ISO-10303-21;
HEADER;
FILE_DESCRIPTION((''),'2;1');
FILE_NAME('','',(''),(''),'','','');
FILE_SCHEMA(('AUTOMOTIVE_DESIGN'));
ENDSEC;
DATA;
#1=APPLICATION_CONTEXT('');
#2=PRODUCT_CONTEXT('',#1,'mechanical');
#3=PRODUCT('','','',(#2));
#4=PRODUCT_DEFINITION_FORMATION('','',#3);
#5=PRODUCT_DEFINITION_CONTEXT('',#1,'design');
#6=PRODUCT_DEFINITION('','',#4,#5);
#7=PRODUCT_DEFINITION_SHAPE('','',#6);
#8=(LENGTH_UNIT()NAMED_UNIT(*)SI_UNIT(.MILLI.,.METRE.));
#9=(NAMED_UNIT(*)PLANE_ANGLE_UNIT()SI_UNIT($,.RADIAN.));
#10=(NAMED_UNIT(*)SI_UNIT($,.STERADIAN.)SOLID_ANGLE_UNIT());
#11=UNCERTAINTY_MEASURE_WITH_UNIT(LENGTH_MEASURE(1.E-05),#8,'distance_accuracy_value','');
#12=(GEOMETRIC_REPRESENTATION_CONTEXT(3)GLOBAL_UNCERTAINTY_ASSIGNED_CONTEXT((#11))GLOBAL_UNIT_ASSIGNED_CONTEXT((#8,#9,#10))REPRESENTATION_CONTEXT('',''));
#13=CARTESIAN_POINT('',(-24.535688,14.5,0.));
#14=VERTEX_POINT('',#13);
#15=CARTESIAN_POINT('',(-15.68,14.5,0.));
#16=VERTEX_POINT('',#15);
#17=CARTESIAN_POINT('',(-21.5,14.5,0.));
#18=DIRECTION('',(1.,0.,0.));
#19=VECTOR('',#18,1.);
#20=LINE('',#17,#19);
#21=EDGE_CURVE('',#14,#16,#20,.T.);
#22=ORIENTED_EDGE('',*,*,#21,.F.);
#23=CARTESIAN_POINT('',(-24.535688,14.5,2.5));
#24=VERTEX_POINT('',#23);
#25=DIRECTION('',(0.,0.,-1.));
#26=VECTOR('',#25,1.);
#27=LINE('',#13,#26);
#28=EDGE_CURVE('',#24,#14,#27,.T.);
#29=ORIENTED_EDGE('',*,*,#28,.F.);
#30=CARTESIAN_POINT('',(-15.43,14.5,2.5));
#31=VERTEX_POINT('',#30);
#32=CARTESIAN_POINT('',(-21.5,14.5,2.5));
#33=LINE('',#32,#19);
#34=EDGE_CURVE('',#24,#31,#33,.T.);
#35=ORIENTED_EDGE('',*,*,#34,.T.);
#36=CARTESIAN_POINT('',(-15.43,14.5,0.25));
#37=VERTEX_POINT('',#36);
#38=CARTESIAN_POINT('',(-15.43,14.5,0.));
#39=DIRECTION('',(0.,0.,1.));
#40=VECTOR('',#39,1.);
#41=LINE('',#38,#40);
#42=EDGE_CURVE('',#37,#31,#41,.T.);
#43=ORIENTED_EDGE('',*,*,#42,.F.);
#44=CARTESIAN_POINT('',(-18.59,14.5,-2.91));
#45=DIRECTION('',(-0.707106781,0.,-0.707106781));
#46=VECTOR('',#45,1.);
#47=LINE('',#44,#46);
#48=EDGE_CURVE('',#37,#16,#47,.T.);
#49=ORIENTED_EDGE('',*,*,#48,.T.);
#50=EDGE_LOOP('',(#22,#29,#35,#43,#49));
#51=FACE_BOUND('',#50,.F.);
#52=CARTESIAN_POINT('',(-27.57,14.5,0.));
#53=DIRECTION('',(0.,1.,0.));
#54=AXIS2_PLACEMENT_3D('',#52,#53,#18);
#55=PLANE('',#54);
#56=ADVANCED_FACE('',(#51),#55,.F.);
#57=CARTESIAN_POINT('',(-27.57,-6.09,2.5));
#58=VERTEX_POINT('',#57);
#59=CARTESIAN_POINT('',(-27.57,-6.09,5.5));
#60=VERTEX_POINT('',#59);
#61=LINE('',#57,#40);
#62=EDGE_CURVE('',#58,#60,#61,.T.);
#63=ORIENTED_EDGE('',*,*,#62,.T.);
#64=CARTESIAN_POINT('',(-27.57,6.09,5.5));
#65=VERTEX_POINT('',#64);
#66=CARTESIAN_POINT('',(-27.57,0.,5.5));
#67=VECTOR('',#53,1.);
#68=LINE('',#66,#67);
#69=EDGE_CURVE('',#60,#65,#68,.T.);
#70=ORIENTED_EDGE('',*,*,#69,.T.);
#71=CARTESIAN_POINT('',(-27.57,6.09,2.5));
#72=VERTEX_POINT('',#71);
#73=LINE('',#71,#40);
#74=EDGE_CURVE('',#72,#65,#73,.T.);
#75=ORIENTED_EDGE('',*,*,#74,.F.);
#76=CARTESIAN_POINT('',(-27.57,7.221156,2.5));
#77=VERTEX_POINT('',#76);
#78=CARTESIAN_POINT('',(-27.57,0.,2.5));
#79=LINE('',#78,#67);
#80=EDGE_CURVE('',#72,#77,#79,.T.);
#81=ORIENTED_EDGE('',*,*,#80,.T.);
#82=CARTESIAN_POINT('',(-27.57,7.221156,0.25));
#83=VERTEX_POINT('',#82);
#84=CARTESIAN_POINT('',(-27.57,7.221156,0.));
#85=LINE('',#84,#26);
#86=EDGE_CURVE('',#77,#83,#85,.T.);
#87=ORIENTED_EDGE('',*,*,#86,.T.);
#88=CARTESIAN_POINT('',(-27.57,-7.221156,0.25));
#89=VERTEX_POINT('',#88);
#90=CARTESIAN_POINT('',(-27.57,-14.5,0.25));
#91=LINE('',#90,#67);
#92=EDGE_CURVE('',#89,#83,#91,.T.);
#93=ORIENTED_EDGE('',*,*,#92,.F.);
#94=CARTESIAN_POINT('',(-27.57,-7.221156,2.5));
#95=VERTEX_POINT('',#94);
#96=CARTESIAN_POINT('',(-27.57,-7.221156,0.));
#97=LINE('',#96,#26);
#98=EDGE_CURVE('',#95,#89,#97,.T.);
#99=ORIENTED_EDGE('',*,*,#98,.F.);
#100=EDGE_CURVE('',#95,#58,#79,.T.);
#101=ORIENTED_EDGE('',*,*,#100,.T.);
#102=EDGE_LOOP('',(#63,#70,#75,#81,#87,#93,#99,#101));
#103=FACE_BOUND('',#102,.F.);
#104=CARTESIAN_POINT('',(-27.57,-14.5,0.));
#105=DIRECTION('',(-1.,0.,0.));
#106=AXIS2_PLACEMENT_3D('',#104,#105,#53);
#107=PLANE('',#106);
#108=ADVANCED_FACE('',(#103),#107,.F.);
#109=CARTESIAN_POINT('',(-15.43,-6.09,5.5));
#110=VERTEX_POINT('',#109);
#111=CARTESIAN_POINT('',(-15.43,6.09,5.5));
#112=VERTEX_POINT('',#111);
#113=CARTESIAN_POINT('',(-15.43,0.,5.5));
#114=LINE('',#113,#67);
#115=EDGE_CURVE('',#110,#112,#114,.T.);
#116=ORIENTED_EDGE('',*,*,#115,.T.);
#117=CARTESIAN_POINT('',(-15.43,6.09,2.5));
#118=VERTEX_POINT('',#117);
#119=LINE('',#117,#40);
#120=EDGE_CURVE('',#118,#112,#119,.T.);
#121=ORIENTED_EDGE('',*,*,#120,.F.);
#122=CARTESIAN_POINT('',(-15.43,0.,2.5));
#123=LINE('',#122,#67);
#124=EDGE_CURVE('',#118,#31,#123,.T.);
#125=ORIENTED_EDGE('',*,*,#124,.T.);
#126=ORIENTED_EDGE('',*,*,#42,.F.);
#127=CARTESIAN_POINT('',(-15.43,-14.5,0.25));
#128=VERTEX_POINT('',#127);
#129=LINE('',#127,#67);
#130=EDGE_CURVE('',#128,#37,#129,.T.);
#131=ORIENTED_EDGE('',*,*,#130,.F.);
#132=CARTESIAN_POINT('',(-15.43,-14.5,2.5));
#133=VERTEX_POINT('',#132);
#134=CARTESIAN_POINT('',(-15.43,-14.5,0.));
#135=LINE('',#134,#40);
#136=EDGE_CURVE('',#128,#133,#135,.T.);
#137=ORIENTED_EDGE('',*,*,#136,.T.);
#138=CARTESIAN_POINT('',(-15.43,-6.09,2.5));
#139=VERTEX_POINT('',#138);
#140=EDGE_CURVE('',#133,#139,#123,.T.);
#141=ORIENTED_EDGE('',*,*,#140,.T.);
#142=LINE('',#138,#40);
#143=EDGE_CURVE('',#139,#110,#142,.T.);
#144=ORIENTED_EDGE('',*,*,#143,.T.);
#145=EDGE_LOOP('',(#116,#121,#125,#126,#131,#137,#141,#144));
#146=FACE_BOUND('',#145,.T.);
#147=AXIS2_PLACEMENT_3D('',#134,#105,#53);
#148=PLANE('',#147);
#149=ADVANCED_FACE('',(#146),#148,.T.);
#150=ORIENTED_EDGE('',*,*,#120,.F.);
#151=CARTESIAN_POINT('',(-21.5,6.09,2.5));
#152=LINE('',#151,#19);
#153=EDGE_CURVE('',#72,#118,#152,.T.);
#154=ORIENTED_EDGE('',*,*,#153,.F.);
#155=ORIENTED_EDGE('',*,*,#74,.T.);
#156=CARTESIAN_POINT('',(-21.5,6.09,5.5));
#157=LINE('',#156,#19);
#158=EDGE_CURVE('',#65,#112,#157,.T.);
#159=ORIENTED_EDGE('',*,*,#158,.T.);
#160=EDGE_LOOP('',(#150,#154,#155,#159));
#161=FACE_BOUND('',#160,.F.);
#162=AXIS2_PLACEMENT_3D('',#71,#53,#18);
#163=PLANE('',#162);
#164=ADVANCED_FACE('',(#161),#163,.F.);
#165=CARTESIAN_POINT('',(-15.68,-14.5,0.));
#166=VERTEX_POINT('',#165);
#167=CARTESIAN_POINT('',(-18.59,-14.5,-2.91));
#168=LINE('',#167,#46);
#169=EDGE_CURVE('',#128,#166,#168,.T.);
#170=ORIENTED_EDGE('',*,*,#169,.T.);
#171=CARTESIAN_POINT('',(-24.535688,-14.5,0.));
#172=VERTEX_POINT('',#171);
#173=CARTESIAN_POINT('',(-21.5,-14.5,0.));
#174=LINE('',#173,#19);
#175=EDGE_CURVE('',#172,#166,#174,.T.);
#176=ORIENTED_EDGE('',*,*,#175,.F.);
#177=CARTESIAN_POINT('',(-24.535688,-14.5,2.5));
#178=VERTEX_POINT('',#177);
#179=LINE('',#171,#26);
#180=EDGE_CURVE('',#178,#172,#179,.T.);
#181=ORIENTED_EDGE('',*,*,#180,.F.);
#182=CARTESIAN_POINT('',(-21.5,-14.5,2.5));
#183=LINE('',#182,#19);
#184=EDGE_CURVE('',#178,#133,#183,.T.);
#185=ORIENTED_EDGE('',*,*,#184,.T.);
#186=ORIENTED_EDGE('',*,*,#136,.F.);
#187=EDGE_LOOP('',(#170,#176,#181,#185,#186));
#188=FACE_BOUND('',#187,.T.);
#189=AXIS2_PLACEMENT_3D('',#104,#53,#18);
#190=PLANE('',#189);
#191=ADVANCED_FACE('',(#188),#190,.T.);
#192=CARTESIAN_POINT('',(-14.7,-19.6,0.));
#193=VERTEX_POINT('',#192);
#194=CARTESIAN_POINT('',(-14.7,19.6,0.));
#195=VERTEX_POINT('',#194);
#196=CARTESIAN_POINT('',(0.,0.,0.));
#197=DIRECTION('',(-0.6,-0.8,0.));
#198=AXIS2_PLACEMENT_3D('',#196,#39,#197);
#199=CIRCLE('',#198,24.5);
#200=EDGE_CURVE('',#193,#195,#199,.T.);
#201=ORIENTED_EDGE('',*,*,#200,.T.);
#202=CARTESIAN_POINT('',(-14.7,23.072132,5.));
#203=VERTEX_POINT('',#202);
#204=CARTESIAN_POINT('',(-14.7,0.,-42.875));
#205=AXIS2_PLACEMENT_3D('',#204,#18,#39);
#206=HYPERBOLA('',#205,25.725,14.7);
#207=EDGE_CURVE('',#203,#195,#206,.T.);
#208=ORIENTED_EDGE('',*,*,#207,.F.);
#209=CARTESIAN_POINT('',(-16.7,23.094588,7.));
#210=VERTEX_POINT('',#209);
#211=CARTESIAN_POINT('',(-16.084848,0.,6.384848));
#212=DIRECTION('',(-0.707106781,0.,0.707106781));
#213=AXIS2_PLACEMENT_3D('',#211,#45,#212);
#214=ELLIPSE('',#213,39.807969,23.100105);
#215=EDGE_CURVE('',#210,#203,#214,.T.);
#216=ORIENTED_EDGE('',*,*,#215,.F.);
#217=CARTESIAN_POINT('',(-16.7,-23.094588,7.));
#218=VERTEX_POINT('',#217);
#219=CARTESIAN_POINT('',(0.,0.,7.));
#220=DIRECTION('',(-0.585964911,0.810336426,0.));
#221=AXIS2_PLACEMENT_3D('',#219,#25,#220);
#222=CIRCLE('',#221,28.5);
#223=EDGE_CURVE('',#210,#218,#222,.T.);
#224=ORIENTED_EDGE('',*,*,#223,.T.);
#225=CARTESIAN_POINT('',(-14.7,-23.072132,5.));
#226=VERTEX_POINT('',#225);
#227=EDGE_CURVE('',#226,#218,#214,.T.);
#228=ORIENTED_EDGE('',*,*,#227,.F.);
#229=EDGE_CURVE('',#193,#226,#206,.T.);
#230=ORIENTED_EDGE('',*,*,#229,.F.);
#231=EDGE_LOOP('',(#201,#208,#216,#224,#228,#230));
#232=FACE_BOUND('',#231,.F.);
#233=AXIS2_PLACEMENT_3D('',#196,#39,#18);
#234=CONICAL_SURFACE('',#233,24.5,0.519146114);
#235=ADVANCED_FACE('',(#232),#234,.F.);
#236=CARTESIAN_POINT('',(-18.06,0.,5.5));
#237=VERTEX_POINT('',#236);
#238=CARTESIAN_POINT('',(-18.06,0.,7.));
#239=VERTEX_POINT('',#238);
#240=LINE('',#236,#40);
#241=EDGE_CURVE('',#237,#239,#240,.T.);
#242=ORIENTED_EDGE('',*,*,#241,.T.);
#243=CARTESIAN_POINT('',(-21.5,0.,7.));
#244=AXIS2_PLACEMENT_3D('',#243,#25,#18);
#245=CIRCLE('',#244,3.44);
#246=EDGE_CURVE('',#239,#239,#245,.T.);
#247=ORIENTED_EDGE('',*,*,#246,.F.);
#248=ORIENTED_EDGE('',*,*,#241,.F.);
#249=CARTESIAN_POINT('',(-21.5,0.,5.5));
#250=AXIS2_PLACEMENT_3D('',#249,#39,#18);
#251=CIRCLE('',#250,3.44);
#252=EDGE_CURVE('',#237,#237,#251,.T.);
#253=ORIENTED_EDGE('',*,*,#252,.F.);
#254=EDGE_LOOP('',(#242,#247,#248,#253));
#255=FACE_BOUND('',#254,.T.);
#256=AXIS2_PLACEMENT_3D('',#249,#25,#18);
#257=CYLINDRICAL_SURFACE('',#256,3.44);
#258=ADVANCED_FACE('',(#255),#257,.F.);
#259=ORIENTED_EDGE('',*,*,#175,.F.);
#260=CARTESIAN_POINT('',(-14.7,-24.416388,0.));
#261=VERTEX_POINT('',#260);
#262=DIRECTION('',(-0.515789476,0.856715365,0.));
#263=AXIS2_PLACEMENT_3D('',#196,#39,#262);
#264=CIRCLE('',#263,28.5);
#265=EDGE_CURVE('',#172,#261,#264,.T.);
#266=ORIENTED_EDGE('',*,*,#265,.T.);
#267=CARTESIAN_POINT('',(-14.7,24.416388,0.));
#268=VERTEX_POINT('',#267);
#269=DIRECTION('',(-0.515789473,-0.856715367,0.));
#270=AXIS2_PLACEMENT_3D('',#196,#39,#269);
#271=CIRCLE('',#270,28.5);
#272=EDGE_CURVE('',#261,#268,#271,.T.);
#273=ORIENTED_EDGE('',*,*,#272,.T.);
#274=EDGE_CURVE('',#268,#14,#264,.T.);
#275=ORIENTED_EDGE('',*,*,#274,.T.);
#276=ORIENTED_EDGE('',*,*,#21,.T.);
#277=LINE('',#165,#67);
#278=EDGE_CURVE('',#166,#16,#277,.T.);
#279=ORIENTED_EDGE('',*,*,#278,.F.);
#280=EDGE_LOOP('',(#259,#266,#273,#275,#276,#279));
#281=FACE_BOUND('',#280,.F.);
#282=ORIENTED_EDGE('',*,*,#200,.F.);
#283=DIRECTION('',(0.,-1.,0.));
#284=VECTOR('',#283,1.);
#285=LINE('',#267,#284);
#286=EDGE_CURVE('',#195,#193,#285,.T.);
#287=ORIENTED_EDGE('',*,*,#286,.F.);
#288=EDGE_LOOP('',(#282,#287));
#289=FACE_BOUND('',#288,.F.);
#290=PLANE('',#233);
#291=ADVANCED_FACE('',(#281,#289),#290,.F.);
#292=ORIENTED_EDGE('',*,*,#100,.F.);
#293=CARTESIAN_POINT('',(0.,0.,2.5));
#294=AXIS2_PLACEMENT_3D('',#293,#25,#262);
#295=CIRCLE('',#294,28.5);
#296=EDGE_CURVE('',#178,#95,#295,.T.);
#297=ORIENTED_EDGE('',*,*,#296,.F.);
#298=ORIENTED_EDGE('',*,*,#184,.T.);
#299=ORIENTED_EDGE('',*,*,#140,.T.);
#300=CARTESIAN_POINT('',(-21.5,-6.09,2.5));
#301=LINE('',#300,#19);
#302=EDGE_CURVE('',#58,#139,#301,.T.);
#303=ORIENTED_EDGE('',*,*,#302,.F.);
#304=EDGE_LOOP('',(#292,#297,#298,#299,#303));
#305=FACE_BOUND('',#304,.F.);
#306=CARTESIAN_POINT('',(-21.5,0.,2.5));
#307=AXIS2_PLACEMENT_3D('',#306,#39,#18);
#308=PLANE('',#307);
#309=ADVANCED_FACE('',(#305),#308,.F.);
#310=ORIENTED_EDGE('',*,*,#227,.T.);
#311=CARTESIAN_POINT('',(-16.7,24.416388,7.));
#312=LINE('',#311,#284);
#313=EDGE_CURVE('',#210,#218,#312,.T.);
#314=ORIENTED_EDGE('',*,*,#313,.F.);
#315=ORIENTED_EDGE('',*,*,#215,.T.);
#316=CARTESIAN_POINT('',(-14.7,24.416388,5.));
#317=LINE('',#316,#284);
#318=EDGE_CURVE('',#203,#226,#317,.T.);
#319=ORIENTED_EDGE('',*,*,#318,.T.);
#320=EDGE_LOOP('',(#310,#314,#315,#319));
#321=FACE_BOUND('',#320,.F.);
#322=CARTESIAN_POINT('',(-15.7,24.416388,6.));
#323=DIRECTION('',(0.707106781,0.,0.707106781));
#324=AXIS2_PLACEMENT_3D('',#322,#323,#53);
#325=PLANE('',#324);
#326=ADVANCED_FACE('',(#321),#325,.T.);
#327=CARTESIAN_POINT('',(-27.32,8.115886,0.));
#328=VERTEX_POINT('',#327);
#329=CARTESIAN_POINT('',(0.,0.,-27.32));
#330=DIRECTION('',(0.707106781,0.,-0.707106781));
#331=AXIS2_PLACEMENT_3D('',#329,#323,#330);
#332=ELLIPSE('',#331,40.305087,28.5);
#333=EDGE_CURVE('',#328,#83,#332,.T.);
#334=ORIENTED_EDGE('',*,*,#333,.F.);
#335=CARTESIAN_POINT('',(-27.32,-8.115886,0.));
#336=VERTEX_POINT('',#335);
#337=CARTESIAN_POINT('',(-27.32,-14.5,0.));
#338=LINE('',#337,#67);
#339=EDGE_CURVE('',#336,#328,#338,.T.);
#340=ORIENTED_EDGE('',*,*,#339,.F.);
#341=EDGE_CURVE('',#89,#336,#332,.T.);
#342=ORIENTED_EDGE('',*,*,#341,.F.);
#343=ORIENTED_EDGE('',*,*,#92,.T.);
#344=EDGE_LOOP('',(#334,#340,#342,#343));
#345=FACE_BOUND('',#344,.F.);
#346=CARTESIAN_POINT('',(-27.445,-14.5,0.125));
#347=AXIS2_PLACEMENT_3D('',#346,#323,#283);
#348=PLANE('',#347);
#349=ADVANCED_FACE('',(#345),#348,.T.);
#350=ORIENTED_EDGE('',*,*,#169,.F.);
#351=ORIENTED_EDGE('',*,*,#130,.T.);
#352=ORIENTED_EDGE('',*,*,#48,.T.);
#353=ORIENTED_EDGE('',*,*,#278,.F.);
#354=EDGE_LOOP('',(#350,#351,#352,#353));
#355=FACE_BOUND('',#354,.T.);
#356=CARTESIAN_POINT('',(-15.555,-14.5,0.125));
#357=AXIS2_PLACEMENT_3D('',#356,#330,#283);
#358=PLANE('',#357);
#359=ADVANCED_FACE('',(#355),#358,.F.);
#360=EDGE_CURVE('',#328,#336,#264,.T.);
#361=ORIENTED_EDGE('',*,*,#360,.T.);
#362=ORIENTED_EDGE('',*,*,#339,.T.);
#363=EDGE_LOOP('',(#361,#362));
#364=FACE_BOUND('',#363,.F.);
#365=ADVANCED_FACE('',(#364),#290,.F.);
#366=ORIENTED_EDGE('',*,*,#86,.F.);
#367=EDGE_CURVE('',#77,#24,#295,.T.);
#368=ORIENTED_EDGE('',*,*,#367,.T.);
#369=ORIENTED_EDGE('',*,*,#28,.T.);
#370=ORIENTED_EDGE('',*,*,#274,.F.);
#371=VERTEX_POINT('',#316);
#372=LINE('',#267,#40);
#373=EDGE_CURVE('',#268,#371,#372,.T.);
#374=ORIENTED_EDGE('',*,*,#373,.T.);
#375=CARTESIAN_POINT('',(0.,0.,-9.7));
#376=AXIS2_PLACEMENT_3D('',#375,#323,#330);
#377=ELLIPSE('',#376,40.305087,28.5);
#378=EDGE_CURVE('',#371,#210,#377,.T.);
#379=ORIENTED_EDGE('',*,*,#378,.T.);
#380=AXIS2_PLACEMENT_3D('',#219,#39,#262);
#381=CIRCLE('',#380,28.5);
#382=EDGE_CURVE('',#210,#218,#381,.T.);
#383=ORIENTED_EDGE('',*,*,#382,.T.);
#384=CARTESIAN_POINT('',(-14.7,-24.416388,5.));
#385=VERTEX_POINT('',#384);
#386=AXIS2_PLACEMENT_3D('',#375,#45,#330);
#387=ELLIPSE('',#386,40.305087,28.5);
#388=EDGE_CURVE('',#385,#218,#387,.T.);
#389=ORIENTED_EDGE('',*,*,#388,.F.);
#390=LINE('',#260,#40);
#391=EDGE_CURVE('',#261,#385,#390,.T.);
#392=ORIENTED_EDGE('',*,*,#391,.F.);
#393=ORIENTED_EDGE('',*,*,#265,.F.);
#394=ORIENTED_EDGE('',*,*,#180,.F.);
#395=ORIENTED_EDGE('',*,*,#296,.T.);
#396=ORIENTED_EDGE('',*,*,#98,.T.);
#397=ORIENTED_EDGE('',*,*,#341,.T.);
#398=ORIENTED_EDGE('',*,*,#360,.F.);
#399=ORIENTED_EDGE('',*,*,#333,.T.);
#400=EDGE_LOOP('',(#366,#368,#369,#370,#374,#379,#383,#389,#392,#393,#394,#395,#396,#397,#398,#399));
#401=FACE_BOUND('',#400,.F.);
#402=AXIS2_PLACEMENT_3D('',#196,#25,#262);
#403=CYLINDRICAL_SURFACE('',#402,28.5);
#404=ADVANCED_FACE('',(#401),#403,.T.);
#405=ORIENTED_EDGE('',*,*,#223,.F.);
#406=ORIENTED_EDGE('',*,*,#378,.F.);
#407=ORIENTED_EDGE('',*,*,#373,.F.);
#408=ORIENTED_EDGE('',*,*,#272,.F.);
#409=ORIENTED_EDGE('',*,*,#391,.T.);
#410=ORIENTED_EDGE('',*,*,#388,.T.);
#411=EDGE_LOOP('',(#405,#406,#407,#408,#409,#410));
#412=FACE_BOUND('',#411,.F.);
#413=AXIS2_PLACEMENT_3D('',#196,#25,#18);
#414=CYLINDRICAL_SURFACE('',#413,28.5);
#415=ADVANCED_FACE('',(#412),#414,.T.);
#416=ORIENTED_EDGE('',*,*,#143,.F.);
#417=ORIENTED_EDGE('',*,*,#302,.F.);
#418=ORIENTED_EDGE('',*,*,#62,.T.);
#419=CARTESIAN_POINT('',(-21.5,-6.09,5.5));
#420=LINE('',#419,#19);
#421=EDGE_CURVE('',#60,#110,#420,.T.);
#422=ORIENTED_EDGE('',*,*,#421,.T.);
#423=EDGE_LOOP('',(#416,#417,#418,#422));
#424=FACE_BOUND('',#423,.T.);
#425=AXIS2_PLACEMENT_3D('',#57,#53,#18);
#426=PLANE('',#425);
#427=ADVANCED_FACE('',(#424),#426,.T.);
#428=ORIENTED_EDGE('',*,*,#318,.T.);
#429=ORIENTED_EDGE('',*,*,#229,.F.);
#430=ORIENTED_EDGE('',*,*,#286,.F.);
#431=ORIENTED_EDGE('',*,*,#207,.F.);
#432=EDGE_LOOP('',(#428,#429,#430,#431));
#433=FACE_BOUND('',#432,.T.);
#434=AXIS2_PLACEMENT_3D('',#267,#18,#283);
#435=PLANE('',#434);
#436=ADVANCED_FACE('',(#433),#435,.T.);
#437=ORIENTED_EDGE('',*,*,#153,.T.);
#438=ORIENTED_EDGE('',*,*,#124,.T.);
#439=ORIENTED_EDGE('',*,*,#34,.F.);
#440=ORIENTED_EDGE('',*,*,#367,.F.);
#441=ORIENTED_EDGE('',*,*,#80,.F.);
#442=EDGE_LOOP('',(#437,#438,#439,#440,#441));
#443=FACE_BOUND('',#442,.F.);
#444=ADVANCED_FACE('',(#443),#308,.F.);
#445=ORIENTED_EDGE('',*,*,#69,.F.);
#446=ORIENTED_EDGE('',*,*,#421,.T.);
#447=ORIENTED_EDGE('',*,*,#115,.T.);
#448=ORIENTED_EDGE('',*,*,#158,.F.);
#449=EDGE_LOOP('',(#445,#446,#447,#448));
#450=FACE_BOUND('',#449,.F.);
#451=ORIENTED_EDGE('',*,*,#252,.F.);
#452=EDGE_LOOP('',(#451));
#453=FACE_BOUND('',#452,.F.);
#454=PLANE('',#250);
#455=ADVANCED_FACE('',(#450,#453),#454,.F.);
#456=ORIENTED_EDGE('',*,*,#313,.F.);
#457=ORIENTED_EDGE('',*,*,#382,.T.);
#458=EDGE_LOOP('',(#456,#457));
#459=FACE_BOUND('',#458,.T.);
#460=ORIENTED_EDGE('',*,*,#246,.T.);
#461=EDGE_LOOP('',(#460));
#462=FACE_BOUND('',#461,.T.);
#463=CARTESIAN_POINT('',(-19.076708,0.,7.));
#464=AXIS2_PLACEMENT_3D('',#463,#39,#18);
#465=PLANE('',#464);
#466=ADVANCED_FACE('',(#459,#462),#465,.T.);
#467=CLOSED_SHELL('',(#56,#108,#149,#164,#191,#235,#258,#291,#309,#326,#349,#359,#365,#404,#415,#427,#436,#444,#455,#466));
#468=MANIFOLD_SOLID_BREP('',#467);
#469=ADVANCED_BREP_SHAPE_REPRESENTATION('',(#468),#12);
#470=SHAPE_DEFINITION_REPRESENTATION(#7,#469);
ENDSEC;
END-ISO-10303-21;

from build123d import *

# Parameters (mm, degrees)
SKETCH011_W     = 12.14
SKETCH011_H     = 29
PAD009_DEPTH    = 2.5
CHAMFER002_SIZE = 0.25
SKETCH012_W     = 12.14
SKETCH012_H     = 12.18
PAD010_DEPTH    = 3
SKETCH013_R     = 3.44
PAD011_DEPTH    = 4
PAD008_DEPTH    = 7
CHAMFER001_SIZE = 2
SKETCH004_R     = 28.5
SKETCH004_R_2   = 24.5
PAD002_DEPTH    = 7


with BuildPart() as pad_enc_shaft_cutout:
    # Sketch011 → Pad009 (new body)
    with BuildSketch(Plane.XY):
        with Locations((-21.5, 0)):
            Rectangle(SKETCH011_W, SKETCH011_H)
    extrude(amount=PAD009_DEPTH)

    # Chamfer002
    chamfer002_edges = [pad_enc_shaft_cutout.edges().sort_by_distance(p)[0] for p in [
        (-15.43, 0, 0),
        (-27.57, 0, 0),
    ]]
    chamfer(chamfer002_edges, length=CHAMFER002_SIZE)

    # Sketch012 → Pad010 (new body)
    with BuildSketch(Plane.XY.offset(2.5)):
        with Locations((-21.5, 0)):
            Rectangle(SKETCH012_W, SKETCH012_H)
    extrude(amount=PAD010_DEPTH)

    # Sketch013 → Pad011 (new body)
    with BuildSketch(Plane.XY.offset(5.5)):
        with Locations((-21.5, 0)):
            Circle(SKETCH013_R)
    extrude(amount=PAD011_DEPTH)


with BuildPart() as chamfer_left_mount:
    # Sketch010 → Pad008 (new body)
    with BuildSketch(Plane.XY):
        with BuildLine():
            ThreePointArc((-14.7, 24.416388), (-28.5, 0), (-14.7, -24.416388))
            Line((-14.7, 24.416388), (-14.7, -24.416388))
        make_face()
    extrude(amount=PAD008_DEPTH)

    # Chamfer001
    chamfer001_edges = [chamfer_left_mount.edges().sort_by_distance(p)[0] for p in [
        (-14.7, 0, 7),
    ]]
    chamfer(chamfer001_edges, length=CHAMFER001_SIZE)


with BuildPart() as cone:
    # Cone → Cone (revolve)
    with BuildSketch(Plane.XZ):
        Polygon((0, 0), (24.5, 0), (28.5, 7), (0, 7), align=None)
    revolve(axis=Axis((0, 0, 0), (0, 0, 1)))


with BuildPart() as cut_left_mount_encoder:
    # Sketch004 → Pad002 (new body)
    with BuildSketch(Plane.XY):
        Circle(SKETCH004_R)
        Circle(SKETCH004_R_2, mode=Mode.SUBTRACT)
    extrude(amount=PAD002_DEPTH)

    # Cut: cut Cone
    add(cone.part, mode=Mode.SUBTRACT)

    # Fusion: union Chamfer (left mount)
    add(chamfer_left_mount.part)

    # Cut001: cut Pad (enc shaft cutout)
    add(pad_enc_shaft_cutout.part, mode=Mode.SUBTRACT)


solid = cut_left_mount_encoder.part
